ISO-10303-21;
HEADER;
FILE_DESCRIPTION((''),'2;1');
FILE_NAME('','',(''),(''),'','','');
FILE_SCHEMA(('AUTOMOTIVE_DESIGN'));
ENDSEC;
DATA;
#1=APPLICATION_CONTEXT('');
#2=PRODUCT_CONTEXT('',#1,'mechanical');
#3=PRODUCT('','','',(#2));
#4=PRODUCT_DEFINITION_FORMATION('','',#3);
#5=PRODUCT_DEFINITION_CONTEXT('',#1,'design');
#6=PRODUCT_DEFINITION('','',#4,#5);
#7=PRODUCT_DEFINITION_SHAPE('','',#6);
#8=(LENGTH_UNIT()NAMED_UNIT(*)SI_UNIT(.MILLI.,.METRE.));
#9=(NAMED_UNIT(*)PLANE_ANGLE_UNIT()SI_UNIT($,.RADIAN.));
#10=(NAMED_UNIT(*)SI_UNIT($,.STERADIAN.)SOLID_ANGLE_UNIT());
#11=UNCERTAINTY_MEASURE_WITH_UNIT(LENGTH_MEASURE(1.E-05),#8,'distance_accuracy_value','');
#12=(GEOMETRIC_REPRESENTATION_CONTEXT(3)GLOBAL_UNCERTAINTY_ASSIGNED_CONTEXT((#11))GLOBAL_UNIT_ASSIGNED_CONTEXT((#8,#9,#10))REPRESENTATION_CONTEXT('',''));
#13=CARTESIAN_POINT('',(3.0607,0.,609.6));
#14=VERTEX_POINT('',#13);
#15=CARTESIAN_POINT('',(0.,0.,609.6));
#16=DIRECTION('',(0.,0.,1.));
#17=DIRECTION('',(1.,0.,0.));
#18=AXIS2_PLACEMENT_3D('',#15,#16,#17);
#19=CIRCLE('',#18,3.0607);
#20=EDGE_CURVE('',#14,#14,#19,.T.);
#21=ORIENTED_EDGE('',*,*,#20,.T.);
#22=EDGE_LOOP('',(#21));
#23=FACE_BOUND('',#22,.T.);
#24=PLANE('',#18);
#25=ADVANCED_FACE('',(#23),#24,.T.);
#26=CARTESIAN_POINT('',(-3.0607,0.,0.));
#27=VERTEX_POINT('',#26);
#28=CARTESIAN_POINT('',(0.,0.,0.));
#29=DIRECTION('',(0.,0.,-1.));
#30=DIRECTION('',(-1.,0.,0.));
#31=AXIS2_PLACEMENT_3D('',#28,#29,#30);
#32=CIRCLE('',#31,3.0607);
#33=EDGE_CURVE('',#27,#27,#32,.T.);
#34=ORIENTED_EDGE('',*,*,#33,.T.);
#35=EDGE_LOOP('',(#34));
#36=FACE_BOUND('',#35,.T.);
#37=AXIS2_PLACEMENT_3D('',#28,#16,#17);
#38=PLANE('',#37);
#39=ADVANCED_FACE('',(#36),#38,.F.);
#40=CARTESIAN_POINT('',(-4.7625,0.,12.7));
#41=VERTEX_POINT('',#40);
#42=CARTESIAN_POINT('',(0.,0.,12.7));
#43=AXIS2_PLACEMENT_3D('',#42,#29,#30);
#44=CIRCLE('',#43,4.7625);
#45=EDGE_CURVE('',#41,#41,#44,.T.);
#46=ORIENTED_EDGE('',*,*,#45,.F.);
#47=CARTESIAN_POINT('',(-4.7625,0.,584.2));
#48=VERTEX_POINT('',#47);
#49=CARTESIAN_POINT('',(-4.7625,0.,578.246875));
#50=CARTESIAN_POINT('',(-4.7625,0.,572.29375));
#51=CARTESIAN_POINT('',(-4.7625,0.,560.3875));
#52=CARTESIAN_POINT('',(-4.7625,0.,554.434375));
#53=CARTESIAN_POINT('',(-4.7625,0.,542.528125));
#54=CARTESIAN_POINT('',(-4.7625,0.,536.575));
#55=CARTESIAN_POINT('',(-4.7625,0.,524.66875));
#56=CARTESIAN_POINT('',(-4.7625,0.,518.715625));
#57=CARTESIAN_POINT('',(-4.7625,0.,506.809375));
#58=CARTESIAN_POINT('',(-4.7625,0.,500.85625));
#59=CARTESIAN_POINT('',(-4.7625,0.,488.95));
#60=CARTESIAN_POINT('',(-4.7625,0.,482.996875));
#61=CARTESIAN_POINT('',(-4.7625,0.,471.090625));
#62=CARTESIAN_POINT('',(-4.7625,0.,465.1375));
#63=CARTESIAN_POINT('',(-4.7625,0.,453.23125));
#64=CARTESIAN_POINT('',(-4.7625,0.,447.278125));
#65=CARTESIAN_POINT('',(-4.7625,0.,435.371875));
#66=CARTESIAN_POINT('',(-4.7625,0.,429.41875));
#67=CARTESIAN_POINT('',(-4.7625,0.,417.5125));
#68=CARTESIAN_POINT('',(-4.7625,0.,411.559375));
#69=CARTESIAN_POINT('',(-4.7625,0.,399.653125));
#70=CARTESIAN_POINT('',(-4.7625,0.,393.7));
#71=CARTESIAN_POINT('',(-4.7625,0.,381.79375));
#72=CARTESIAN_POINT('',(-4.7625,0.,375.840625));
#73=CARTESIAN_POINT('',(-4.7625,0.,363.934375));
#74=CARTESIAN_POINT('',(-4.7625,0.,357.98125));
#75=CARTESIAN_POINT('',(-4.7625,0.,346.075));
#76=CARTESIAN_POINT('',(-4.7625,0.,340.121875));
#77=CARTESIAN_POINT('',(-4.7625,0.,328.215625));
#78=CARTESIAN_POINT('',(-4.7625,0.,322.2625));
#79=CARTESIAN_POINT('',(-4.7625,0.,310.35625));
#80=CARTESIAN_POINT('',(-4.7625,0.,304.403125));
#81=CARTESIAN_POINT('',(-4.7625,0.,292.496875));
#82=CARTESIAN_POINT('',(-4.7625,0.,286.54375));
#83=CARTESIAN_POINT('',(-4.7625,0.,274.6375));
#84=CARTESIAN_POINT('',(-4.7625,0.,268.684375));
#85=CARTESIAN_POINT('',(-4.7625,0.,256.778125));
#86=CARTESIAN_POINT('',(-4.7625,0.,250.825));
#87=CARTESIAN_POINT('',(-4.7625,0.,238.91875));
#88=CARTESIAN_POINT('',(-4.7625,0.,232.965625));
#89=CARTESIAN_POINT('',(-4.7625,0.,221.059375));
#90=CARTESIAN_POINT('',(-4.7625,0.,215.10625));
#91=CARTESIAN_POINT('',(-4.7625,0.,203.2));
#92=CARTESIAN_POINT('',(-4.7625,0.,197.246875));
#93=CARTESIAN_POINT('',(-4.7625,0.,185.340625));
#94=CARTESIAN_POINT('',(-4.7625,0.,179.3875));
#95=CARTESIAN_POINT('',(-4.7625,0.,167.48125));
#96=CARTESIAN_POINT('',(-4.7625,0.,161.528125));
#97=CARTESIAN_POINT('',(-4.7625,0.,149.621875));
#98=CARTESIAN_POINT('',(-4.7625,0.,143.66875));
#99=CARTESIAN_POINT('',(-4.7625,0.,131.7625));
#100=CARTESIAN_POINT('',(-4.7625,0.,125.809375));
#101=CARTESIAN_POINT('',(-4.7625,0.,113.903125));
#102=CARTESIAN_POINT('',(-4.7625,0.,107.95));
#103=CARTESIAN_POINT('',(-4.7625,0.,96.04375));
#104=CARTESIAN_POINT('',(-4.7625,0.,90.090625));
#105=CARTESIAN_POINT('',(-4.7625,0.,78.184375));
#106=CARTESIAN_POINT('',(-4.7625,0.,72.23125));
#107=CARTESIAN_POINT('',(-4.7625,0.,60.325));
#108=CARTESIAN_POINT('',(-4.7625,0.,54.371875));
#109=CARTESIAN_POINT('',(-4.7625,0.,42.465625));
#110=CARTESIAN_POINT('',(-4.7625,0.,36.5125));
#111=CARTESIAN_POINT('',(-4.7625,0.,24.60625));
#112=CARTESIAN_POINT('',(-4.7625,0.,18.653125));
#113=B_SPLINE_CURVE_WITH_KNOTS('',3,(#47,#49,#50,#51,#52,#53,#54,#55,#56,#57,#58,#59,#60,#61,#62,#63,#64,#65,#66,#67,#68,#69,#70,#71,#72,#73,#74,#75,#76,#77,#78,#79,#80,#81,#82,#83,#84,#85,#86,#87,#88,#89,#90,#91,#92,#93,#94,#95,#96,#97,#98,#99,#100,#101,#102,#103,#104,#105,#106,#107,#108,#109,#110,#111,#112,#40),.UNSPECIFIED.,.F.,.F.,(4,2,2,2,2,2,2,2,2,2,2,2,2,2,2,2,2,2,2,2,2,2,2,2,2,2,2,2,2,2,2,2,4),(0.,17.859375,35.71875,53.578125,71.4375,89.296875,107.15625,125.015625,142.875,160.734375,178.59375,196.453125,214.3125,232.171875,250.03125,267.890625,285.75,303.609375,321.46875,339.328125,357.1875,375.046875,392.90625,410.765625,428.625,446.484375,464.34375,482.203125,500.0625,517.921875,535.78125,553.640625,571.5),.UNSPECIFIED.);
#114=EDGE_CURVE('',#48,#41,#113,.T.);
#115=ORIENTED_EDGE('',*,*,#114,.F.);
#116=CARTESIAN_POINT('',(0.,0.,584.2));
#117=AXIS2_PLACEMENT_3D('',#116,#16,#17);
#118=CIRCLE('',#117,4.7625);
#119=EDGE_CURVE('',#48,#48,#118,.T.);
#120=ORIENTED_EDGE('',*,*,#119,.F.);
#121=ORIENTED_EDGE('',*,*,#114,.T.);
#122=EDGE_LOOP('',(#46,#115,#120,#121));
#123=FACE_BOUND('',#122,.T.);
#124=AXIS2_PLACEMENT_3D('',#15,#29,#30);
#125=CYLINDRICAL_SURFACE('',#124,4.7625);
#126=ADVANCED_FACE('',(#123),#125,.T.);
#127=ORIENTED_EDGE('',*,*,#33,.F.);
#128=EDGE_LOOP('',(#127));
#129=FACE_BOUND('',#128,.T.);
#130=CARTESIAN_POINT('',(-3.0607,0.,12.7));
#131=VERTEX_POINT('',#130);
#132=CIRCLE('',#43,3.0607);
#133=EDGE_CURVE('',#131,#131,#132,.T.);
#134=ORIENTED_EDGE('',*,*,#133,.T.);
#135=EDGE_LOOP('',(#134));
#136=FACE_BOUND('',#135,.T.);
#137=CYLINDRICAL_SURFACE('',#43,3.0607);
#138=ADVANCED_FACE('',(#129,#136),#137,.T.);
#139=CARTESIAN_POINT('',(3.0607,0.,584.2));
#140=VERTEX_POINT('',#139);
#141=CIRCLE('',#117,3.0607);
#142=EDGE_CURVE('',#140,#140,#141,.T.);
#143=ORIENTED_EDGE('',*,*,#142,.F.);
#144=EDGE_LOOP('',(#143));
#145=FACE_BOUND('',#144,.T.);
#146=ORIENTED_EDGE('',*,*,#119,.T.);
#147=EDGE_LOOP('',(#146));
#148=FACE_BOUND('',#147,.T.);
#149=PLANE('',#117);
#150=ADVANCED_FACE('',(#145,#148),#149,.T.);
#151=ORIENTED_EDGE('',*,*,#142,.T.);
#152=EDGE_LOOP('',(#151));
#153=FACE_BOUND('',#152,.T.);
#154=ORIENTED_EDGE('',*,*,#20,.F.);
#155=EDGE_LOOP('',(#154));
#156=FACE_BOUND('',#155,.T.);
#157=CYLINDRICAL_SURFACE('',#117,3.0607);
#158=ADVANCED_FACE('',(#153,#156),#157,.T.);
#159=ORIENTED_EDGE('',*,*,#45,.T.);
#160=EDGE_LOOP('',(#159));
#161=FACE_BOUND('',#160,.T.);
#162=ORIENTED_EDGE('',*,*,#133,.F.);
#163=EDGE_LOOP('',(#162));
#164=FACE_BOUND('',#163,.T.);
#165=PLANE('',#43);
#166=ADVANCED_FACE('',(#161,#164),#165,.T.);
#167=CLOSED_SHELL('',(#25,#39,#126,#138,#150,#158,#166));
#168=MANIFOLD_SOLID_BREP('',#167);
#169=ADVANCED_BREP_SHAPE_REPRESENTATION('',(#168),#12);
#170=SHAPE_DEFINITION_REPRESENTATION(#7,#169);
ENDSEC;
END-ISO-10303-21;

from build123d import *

# Parameters (mm, degrees)
SKETCH1_R           = 4.7625
BOSS_EXTRUDE1_DEPTH = 609.6
CUT_EXTRUDE1_START  = -25.4
SKETCH2_R           = 4.7625
SKETCH2_R_2         = 3.0607
CUT_EXTRUDE1_DEPTH  = 25.4
SKETCH3_R           = 4.7625
SKETCH3_R_2         = 3.0607
CUT_EXTRUDE3_DEPTH  = 12.7


with BuildPart() as part:
    # Sketch1 → Boss-Extrude1 (new body)
    with BuildSketch(Plane.XY):
        with Locations(Location((0, 0, 0), (0, 0, 180))):
            Circle(SKETCH1_R)
    extrude(amount=BOSS_EXTRUDE1_DEPTH)

    # Sketch2 → Cut-Extrude1 (cut)
    with BuildSketch(Plane.XY.offset(609.6).offset(CUT_EXTRUDE1_START)):
        with Locations(Location((0, 0, 0), (0, 0, 180))):
            Circle(SKETCH2_R)
        Circle(SKETCH2_R_2, mode=Mode.SUBTRACT)
    extrude(amount=CUT_EXTRUDE1_DEPTH, mode=Mode.SUBTRACT)

    # Sketch3 → Cut-Extrude3 (cut)
    with BuildSketch(Plane(origin=(0, 0, 0), x_dir=(-1, 0, 0), z_dir=(0, 0, -1))):
        Circle(SKETCH3_R)
        with Locations(Location((0, 0, 0), (0, 0, 180))):
            Circle(SKETCH3_R_2, mode=Mode.SUBTRACT)
    extrude(amount=-CUT_EXTRUDE3_DEPTH, mode=Mode.SUBTRACT)


solid = part.part
